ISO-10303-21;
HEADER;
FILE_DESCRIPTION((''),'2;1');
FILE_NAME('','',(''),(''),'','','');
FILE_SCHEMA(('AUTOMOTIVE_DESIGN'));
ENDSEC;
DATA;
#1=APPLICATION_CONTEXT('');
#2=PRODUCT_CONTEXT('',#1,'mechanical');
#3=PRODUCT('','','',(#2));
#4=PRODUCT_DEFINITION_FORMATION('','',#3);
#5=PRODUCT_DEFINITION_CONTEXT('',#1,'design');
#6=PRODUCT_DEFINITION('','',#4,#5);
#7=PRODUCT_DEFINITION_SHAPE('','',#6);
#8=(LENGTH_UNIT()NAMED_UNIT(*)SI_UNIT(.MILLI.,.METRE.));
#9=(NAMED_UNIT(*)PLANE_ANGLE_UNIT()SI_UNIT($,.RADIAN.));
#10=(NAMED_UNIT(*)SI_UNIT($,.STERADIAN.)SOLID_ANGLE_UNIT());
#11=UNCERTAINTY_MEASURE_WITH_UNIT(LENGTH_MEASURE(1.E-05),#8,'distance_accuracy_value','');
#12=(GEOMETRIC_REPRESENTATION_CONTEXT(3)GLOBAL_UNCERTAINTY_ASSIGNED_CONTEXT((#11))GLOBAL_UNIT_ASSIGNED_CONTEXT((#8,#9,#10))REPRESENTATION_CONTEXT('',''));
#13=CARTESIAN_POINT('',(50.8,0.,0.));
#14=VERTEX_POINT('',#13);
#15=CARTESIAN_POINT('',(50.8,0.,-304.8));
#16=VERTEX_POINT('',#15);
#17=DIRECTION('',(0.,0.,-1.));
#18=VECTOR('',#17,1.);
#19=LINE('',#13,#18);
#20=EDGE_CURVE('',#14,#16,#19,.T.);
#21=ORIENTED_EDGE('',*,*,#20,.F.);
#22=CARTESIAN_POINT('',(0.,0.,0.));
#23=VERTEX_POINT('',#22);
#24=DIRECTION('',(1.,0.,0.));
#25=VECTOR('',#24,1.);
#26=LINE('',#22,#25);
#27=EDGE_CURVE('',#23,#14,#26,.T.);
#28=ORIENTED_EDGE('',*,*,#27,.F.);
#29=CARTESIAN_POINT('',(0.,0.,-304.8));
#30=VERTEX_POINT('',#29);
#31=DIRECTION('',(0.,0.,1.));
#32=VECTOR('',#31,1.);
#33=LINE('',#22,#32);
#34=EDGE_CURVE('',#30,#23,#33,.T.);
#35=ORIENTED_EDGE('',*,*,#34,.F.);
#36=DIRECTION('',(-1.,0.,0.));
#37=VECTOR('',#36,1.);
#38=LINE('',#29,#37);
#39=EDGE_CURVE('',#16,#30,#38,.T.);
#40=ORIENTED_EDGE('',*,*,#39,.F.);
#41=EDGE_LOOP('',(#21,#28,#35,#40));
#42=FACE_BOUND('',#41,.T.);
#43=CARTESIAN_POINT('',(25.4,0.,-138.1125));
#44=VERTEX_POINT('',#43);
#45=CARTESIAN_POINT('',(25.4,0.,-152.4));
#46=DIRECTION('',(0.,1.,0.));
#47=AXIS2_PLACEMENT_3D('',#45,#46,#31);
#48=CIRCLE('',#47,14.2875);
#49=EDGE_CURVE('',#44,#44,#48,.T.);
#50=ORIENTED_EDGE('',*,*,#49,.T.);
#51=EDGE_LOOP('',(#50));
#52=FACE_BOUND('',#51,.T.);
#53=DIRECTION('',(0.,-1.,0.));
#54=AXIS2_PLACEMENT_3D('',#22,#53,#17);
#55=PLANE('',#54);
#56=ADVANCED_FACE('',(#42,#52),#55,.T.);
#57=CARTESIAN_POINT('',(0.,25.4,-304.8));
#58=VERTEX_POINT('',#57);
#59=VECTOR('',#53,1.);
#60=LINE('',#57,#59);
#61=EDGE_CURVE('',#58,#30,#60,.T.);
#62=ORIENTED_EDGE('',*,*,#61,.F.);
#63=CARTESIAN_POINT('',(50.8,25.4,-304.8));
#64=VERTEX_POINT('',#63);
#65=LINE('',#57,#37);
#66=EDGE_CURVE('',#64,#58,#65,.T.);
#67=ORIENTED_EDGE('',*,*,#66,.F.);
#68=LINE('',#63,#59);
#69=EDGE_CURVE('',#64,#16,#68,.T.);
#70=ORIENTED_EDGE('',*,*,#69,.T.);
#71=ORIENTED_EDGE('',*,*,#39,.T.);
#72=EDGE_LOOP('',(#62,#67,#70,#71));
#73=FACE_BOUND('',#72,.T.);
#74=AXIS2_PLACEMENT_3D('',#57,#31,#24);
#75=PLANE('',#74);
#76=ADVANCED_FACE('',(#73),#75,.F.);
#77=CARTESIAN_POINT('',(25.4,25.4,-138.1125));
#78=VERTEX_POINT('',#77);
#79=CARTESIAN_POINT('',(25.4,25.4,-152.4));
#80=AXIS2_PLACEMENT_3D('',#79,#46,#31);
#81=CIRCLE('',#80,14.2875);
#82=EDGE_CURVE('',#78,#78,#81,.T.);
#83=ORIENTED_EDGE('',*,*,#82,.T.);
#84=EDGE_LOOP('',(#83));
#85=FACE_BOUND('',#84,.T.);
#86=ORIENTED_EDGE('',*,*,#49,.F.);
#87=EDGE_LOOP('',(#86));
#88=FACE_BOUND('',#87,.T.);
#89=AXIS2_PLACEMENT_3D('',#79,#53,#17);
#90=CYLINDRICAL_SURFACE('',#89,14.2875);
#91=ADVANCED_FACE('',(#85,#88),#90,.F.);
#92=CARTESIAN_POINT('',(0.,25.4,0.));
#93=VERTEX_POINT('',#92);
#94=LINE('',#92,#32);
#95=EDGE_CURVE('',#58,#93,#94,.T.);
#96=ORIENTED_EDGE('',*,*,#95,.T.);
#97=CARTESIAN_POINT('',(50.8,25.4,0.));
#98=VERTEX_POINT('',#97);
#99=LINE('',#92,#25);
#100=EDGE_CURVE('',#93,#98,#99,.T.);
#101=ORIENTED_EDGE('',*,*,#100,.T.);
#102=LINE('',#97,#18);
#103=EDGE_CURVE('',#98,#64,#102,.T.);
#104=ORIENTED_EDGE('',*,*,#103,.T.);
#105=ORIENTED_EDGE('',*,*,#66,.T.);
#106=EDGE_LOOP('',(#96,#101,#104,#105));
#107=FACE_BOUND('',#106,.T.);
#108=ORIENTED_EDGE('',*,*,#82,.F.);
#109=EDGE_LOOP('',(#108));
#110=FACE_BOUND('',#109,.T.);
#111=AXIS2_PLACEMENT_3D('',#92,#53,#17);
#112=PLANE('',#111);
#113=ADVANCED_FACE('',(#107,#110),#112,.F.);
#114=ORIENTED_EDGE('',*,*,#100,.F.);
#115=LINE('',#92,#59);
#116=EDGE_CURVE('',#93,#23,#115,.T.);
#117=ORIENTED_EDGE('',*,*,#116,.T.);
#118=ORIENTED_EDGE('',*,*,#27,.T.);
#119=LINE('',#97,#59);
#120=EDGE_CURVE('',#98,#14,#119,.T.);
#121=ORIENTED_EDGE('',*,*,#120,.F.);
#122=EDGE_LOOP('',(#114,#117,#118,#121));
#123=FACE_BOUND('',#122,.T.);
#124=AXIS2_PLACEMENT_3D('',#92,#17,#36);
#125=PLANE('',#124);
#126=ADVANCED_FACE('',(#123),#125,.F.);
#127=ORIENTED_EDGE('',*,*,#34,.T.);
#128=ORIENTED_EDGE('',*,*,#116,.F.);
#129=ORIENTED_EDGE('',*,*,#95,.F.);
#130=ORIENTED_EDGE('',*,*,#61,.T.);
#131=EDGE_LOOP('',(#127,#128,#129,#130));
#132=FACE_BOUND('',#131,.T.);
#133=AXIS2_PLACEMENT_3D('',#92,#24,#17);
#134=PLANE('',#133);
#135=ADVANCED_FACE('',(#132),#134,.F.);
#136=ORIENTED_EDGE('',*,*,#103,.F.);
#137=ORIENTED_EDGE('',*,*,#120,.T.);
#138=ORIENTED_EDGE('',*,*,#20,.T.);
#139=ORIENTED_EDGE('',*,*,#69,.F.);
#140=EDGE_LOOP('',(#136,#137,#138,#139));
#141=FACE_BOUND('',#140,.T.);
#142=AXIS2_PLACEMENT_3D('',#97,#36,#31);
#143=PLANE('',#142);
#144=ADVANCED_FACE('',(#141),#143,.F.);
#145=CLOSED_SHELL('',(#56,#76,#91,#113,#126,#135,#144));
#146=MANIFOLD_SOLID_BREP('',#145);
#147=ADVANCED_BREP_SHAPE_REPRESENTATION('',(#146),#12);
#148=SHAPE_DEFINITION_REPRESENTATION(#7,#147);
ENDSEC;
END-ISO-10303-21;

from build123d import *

# Parameters (mm, degrees)
SKETCH1_W           = 50.8
SKETCH1_H           = 304.8
SKETCH1_R           = 14.2875
BOSS_EXTRUDE1_DEPTH = 25.4


with BuildPart() as part:
    # Sketch1 → Boss-Extrude1 (new body)
    with BuildSketch(Plane(origin=(0, 0, 0), x_dir=(1, 0, 0), z_dir=(0, 1, 0))):
        with Locations((25.4, 152.4)):
            Rectangle(SKETCH1_W, SKETCH1_H)
        with Locations((25.4, 152.4)):
            Circle(SKETCH1_R, mode=Mode.SUBTRACT)
    extrude(amount=BOSS_EXTRUDE1_DEPTH)


solid = part.part
